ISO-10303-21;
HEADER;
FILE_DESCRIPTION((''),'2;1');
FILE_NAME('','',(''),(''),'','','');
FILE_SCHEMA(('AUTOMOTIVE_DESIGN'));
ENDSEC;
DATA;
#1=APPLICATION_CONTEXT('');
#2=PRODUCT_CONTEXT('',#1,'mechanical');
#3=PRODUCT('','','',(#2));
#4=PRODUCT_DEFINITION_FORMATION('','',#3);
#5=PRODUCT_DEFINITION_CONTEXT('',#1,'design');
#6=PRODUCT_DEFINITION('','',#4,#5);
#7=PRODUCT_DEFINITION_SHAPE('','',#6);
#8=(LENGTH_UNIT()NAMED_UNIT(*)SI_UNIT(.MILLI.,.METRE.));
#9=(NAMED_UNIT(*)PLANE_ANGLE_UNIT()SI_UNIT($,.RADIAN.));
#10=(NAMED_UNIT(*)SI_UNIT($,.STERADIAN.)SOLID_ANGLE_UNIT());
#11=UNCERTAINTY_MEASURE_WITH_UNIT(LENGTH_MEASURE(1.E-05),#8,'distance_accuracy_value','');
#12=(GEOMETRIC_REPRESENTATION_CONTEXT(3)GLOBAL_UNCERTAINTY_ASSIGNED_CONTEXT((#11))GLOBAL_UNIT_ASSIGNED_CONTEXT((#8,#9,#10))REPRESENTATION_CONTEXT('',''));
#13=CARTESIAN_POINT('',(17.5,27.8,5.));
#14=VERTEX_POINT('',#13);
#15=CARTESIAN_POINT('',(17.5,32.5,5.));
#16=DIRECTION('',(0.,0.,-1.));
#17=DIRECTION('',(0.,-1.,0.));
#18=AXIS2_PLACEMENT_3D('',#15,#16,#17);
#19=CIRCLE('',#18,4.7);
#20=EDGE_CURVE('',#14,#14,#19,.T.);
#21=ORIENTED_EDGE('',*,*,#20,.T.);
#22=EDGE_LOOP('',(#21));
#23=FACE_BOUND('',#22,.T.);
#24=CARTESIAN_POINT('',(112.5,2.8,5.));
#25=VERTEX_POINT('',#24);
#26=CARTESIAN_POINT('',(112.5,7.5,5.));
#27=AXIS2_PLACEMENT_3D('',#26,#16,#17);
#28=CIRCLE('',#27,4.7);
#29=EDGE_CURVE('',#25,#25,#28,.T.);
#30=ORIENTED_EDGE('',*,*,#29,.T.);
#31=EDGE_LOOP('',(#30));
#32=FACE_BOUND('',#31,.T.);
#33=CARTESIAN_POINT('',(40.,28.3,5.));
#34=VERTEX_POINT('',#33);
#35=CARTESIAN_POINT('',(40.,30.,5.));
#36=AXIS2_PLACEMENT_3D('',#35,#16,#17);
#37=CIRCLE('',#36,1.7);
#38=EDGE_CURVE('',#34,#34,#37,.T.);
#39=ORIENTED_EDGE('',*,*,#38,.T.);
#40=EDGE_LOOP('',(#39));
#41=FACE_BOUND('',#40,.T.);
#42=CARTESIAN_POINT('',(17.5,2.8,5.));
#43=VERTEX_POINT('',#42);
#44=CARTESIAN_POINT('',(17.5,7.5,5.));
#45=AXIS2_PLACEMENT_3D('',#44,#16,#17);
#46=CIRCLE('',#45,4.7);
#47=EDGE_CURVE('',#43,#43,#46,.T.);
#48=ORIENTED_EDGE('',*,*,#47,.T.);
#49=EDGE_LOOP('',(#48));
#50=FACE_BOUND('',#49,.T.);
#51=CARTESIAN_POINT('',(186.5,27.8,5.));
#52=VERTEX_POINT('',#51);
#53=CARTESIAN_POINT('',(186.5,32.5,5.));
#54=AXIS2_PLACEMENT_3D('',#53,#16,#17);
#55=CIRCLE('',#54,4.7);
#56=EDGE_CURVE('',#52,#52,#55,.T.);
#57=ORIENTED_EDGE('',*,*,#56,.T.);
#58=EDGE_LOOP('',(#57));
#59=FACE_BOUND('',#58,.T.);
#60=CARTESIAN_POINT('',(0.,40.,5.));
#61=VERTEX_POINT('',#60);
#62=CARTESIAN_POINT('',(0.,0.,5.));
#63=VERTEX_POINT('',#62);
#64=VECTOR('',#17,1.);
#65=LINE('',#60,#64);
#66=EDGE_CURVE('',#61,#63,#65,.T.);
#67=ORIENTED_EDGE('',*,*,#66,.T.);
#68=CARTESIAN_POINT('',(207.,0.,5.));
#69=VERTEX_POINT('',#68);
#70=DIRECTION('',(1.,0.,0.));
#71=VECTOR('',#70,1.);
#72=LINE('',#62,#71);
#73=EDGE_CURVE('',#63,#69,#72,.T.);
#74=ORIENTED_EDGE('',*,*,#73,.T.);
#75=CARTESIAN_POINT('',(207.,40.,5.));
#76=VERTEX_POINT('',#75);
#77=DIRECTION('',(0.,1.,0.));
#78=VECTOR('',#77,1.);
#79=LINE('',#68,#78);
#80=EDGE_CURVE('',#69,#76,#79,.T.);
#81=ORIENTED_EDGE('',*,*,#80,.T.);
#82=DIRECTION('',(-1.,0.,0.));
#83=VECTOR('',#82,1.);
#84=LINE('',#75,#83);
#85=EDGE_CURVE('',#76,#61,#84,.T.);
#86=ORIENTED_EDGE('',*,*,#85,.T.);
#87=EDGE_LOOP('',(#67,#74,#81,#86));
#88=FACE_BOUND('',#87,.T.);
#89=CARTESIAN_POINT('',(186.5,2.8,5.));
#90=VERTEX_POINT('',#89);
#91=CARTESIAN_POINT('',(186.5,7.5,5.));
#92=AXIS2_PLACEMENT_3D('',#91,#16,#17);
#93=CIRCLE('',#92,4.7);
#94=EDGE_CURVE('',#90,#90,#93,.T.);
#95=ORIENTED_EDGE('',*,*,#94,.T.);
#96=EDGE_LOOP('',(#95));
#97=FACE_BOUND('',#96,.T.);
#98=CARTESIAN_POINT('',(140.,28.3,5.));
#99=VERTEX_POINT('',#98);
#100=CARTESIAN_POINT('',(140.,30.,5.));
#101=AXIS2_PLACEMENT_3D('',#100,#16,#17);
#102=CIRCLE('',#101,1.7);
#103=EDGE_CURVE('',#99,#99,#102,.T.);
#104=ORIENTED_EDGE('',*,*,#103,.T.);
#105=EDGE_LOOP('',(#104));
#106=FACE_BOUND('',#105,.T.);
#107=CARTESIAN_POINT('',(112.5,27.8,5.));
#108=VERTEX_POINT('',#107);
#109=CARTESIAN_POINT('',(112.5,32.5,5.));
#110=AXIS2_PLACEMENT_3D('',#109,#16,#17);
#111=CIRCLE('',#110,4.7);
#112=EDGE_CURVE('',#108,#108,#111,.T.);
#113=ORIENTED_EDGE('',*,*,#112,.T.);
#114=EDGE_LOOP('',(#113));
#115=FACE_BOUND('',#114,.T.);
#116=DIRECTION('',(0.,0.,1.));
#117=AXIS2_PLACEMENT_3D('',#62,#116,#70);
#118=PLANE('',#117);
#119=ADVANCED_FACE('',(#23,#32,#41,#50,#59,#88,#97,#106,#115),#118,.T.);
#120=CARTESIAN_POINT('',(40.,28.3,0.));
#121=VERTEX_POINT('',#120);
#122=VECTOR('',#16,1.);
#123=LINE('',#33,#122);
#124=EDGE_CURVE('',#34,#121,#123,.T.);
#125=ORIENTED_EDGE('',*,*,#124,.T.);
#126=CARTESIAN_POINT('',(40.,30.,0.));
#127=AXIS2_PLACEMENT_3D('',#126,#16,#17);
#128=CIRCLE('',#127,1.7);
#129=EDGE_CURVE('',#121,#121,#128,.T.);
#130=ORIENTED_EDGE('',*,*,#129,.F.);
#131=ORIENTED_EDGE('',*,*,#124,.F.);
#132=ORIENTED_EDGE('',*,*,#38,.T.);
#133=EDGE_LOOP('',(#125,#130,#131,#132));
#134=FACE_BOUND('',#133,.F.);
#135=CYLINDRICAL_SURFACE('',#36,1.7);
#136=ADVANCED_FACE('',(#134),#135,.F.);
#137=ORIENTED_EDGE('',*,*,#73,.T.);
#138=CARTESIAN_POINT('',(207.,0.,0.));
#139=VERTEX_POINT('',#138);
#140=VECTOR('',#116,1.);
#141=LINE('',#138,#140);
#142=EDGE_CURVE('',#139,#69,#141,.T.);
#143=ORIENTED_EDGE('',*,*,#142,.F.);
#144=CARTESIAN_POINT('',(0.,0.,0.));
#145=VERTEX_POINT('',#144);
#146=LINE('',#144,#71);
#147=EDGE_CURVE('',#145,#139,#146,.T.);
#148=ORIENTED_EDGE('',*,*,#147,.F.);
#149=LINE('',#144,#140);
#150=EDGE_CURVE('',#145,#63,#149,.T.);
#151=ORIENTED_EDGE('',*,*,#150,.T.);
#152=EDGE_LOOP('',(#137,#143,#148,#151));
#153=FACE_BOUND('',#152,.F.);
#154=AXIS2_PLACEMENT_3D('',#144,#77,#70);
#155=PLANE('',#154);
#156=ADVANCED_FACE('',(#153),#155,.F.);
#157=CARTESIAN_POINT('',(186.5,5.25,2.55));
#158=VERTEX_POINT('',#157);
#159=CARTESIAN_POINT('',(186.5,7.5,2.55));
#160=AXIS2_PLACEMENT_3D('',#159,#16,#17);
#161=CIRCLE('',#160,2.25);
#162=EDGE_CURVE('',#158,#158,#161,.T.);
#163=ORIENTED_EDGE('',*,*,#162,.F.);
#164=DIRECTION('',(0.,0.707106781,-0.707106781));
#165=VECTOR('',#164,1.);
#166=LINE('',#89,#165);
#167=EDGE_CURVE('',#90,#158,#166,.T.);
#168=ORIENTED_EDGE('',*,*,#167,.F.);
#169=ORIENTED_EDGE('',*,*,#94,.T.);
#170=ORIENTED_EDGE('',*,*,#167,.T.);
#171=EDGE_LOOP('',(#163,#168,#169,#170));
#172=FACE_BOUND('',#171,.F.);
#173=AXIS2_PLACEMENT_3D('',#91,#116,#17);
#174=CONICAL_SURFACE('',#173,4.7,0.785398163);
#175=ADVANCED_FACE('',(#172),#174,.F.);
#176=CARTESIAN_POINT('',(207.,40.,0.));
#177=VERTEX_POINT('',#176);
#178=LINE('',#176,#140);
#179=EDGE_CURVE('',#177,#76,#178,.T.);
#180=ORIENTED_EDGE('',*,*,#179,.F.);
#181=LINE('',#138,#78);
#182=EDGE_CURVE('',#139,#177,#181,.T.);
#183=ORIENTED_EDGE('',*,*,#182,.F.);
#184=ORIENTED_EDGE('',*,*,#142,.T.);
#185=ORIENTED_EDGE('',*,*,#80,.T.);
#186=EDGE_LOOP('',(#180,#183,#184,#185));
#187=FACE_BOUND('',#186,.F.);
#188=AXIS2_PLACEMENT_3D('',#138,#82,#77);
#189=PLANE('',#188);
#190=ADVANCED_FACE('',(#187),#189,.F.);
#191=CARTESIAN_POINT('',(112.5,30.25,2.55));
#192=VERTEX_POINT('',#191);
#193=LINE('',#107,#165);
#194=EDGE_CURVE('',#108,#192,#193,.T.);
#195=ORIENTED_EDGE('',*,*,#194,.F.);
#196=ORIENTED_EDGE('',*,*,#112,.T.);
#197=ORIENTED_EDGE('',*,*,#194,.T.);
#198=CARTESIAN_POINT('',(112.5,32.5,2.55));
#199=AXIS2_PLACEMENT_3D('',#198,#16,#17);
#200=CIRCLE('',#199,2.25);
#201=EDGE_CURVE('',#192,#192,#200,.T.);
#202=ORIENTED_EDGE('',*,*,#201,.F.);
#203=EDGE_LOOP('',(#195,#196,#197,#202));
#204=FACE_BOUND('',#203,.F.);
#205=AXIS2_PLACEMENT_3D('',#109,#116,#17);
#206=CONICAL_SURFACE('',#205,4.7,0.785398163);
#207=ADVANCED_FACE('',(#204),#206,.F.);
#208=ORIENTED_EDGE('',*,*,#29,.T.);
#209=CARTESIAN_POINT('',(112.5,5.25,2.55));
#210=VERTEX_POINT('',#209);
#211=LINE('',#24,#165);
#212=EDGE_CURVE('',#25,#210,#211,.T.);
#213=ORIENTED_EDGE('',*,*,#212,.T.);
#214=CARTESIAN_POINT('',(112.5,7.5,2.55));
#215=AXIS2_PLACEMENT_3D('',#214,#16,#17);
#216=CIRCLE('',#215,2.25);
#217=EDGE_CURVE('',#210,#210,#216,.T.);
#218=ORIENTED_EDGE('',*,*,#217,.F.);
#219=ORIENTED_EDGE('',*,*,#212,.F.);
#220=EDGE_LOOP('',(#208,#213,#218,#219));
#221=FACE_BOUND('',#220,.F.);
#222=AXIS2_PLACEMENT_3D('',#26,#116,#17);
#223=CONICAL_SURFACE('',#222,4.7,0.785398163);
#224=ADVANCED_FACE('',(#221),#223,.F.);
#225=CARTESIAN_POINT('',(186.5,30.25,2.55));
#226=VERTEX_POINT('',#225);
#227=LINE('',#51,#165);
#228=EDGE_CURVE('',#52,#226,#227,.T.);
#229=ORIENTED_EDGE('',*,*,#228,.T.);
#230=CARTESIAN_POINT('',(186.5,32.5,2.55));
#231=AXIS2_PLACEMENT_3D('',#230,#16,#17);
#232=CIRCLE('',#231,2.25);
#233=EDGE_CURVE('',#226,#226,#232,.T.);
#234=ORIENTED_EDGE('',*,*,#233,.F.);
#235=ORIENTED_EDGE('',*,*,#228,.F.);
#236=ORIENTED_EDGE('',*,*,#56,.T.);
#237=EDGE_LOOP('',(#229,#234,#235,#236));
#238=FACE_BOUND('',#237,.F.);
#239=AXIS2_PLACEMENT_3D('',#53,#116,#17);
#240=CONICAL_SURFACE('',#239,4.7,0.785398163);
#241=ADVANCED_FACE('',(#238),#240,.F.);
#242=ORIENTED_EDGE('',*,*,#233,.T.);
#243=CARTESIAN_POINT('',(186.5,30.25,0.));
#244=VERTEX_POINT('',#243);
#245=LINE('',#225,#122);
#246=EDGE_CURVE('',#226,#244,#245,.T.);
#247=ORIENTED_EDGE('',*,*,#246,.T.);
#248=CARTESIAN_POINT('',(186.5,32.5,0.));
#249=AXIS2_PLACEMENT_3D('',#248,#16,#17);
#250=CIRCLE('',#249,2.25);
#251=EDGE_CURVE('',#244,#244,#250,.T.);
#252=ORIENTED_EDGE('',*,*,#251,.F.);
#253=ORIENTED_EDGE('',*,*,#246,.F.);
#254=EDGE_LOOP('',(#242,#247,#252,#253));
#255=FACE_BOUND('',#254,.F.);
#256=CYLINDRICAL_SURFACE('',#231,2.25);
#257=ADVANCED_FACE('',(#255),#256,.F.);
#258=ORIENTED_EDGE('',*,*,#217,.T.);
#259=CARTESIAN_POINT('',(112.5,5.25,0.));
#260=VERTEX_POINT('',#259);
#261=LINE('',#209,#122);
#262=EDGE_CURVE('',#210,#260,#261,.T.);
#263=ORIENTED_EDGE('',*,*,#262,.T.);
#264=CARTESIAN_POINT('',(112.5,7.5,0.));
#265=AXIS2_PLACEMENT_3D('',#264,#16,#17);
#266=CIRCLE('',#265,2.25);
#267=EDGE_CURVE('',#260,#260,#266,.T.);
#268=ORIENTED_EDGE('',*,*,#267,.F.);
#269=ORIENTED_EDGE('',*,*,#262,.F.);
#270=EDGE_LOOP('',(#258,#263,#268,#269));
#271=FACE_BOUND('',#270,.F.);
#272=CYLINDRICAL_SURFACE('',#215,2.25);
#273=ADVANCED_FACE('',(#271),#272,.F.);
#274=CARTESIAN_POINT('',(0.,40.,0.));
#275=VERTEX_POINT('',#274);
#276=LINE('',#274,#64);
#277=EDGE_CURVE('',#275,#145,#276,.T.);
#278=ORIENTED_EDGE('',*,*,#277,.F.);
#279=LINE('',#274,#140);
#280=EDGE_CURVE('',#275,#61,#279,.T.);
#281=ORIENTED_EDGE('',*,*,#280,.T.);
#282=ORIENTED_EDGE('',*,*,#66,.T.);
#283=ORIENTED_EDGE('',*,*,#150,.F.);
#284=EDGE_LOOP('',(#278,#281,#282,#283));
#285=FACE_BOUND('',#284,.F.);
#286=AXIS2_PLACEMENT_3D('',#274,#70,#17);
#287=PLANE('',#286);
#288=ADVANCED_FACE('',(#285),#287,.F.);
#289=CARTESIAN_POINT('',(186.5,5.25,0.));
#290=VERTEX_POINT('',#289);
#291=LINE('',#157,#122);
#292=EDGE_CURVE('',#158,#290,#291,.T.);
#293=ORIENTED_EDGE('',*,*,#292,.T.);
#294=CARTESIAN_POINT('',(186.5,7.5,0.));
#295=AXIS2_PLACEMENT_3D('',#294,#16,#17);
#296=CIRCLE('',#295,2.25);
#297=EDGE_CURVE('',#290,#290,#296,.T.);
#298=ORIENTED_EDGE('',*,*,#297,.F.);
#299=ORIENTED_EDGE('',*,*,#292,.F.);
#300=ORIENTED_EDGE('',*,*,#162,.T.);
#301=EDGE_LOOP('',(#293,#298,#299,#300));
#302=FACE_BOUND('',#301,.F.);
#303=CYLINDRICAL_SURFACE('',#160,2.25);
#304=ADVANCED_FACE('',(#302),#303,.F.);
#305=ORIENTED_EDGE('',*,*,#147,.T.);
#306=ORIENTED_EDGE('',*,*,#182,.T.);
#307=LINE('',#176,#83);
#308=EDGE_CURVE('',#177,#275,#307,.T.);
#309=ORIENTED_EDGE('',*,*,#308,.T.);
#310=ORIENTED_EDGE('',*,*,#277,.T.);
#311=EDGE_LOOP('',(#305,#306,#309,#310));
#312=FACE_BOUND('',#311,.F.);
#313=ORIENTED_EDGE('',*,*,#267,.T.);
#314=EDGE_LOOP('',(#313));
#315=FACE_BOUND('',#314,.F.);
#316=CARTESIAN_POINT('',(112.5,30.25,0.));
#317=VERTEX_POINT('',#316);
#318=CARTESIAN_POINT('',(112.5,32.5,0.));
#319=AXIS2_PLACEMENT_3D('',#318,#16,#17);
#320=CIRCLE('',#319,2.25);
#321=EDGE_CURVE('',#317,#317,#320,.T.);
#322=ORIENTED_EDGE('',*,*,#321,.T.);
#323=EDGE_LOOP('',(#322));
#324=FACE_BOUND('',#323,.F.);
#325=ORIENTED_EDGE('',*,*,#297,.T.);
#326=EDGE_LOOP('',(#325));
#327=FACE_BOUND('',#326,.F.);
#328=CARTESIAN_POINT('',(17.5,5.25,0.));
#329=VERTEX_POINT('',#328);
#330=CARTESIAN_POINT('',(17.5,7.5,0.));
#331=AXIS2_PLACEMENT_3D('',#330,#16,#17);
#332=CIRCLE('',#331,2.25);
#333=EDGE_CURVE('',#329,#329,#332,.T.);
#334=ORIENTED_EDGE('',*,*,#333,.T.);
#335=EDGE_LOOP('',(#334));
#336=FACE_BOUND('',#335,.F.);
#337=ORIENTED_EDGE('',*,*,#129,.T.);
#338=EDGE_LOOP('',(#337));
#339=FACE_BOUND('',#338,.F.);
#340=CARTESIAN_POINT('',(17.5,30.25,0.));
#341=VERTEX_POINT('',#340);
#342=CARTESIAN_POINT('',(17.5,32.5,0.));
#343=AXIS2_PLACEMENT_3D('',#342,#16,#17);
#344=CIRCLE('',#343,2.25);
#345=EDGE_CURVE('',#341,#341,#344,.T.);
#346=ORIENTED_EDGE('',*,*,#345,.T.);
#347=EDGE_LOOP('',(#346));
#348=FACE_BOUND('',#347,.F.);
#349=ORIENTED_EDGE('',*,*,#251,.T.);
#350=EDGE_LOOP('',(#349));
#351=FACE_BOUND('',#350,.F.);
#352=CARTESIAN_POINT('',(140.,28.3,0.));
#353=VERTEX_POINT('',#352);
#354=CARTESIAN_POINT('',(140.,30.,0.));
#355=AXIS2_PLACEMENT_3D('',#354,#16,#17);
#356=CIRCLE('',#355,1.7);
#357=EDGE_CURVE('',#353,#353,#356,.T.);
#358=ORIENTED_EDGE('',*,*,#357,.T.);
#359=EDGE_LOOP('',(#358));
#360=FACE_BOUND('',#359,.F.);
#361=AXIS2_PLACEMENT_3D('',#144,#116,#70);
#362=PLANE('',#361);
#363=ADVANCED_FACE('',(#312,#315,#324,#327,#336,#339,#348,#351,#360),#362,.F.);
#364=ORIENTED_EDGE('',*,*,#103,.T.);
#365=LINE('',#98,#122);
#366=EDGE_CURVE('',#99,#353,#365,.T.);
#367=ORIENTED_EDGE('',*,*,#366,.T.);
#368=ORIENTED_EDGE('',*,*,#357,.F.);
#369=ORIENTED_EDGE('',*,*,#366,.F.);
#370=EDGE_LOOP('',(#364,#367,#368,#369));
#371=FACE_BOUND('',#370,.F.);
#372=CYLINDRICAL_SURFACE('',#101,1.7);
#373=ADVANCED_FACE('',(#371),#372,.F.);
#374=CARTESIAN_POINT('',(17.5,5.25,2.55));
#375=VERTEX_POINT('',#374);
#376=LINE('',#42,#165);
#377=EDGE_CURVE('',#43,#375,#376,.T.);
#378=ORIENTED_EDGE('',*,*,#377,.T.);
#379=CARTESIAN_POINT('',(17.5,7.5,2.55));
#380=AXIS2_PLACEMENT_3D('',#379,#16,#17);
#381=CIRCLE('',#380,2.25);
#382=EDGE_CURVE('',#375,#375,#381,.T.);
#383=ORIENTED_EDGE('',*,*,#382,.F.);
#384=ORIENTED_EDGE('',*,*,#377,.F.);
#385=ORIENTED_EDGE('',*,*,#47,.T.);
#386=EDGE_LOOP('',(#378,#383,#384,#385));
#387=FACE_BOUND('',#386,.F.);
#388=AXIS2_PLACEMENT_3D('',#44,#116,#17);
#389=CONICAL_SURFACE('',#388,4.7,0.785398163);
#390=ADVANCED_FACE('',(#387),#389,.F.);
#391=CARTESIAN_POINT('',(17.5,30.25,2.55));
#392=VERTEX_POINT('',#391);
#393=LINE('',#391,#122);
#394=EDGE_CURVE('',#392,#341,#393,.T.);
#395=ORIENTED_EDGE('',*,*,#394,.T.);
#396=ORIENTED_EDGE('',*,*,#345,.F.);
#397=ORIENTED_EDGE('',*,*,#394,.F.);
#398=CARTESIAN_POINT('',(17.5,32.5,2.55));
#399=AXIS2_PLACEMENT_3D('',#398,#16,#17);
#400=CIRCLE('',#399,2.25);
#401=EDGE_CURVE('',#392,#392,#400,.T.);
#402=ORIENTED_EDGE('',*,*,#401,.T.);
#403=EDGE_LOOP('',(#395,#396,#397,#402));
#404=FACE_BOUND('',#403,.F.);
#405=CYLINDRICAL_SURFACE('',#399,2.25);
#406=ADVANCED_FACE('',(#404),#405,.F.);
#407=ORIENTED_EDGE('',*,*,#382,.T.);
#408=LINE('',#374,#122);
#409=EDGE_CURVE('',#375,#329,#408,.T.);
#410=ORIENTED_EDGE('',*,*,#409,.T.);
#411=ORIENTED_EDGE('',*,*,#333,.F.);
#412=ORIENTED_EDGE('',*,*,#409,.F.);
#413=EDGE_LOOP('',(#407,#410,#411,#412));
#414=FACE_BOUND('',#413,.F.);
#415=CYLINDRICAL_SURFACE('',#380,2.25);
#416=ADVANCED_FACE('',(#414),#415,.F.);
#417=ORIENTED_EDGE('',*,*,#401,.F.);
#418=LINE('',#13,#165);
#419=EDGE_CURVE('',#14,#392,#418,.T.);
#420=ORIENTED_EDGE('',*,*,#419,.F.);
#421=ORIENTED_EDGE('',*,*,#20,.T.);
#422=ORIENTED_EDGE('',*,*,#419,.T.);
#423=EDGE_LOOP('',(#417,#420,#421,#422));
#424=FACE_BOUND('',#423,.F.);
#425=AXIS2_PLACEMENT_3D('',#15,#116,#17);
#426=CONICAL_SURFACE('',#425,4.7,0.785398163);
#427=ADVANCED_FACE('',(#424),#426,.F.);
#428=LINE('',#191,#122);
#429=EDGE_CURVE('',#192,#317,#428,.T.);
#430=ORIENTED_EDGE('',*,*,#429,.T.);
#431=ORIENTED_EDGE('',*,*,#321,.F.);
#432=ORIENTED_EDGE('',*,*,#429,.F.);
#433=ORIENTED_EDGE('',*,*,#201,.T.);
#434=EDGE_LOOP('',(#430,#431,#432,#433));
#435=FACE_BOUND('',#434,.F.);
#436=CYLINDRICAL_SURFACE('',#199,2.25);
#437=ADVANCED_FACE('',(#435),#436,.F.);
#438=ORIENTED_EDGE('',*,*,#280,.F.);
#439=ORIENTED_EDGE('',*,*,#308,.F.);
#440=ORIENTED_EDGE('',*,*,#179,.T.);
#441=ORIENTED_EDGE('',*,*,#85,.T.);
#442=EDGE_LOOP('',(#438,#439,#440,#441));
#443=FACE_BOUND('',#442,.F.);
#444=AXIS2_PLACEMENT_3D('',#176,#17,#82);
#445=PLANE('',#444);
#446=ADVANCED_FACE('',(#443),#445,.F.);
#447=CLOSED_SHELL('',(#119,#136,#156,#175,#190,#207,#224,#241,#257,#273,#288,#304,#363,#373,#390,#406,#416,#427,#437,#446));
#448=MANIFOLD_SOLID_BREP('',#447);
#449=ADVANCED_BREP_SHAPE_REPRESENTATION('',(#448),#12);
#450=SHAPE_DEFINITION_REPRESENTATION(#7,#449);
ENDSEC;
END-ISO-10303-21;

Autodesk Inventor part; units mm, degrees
ref_plane "YZ Plane" through (0, 0, 0) normal (1, 0, 0) x (0, 1, 0)
ref_plane "XZ Plane" through (0, 0, 0) normal (0, 1, 0) x (-1, 0, 0)
ref_plane "XY Plane" through (0, 0, 0) normal (0, 0, 1) x (1, 0, 0)
sketch "Sketch1" plane through (0, 0, 0) normal (0, 0, 1) x (1, 0, 0)
  line L0 (0, 0) -> (207, 0)
  line L1 (207, 0) -> (207, 40)
  line L2 (207, 40) -> (0, 40)
  line L3 (0, 40) -> (0, 0)
  dimension "d0" = 207
  dimension "d1" = 40
extrude "Extrusion1" add sketch "Sketch1" along normal blind 5
sketch "Sketch2" plane through (0, 0, 5) normal (0, 0, 1) x (1, 0, 0)
  line L0 (207, 40) -> (0, 40) projected
  line L1 (0, 0) -> (207, 0) projected
  line L2 (0, 40) -> (0, 0) projected
  point P0 (17.5, 32.5)
  point P1 (17.5, 7.5)
  point P2 (112.5, 32.5)
  point P3 (112.5, 7.5)
  point P4 (186.5, 32.5)
  point P5 (186.5, 7.5)
  dimension "d4" = 7.5
  dimension "d5" = 7.5
  dimension "d6" = 17.5
  dimension "d7" = 95
  dimension "d8" = 74
hole "Hole1" at (17.5, 32.5, 5) at (17.5, 7.5, 5) at (112.5, 32.5, 5) at (112.5, 7.5, 5) at (186.5, 32.5, 5) at (186.5, 7.5, 5) direction (0, 0, -1) diameter 4.5 end through all countersink diameter 9.4 countersink angle 90 clearance for "Flat Head Machine Screw" size "M4" standard "Ansi Metric M Profile"
sketch "Sketch3" plane through (0, 0, 5) normal (0, 0, 1) x (1, 0, 0)
  line L0 (0, 40) -> (0, 0) projected
  line L1 (0, 0) -> (207, 0) projected
  circle A0 centre (186.5, 7.5) radius 4.7 projected
  point P0 (159, 32)
  dimension "d17" = 32
  dimension "d25" = 27.5
hole "Hole2" [suppressed]
sketch "Sketch4" plane through (0, 0, 5) normal (0, 0, 1) x (1, 0, 0)
  line L0 (207, 40) -> (0, 40) projected
  line L1 (0, 40) -> (0, 0) projected
  point P0 (40, 30)
  point P1 (140, 30)
  dimension "d26" = 100
  dimension "d27" = 10
  dimension "d28" = 40
hole "Hole3" at (40, 30, 5) at (140, 30, 5) direction (0, 0, -1) diameter 3.4 end through all clearance for "Flat Head Machine Screw" size "M3" standard "Ansi Metric M Profile"
equation "\"d5\" = d4"
properties part number "Top_Slider Piece 3" material "Wood (Oak)"
